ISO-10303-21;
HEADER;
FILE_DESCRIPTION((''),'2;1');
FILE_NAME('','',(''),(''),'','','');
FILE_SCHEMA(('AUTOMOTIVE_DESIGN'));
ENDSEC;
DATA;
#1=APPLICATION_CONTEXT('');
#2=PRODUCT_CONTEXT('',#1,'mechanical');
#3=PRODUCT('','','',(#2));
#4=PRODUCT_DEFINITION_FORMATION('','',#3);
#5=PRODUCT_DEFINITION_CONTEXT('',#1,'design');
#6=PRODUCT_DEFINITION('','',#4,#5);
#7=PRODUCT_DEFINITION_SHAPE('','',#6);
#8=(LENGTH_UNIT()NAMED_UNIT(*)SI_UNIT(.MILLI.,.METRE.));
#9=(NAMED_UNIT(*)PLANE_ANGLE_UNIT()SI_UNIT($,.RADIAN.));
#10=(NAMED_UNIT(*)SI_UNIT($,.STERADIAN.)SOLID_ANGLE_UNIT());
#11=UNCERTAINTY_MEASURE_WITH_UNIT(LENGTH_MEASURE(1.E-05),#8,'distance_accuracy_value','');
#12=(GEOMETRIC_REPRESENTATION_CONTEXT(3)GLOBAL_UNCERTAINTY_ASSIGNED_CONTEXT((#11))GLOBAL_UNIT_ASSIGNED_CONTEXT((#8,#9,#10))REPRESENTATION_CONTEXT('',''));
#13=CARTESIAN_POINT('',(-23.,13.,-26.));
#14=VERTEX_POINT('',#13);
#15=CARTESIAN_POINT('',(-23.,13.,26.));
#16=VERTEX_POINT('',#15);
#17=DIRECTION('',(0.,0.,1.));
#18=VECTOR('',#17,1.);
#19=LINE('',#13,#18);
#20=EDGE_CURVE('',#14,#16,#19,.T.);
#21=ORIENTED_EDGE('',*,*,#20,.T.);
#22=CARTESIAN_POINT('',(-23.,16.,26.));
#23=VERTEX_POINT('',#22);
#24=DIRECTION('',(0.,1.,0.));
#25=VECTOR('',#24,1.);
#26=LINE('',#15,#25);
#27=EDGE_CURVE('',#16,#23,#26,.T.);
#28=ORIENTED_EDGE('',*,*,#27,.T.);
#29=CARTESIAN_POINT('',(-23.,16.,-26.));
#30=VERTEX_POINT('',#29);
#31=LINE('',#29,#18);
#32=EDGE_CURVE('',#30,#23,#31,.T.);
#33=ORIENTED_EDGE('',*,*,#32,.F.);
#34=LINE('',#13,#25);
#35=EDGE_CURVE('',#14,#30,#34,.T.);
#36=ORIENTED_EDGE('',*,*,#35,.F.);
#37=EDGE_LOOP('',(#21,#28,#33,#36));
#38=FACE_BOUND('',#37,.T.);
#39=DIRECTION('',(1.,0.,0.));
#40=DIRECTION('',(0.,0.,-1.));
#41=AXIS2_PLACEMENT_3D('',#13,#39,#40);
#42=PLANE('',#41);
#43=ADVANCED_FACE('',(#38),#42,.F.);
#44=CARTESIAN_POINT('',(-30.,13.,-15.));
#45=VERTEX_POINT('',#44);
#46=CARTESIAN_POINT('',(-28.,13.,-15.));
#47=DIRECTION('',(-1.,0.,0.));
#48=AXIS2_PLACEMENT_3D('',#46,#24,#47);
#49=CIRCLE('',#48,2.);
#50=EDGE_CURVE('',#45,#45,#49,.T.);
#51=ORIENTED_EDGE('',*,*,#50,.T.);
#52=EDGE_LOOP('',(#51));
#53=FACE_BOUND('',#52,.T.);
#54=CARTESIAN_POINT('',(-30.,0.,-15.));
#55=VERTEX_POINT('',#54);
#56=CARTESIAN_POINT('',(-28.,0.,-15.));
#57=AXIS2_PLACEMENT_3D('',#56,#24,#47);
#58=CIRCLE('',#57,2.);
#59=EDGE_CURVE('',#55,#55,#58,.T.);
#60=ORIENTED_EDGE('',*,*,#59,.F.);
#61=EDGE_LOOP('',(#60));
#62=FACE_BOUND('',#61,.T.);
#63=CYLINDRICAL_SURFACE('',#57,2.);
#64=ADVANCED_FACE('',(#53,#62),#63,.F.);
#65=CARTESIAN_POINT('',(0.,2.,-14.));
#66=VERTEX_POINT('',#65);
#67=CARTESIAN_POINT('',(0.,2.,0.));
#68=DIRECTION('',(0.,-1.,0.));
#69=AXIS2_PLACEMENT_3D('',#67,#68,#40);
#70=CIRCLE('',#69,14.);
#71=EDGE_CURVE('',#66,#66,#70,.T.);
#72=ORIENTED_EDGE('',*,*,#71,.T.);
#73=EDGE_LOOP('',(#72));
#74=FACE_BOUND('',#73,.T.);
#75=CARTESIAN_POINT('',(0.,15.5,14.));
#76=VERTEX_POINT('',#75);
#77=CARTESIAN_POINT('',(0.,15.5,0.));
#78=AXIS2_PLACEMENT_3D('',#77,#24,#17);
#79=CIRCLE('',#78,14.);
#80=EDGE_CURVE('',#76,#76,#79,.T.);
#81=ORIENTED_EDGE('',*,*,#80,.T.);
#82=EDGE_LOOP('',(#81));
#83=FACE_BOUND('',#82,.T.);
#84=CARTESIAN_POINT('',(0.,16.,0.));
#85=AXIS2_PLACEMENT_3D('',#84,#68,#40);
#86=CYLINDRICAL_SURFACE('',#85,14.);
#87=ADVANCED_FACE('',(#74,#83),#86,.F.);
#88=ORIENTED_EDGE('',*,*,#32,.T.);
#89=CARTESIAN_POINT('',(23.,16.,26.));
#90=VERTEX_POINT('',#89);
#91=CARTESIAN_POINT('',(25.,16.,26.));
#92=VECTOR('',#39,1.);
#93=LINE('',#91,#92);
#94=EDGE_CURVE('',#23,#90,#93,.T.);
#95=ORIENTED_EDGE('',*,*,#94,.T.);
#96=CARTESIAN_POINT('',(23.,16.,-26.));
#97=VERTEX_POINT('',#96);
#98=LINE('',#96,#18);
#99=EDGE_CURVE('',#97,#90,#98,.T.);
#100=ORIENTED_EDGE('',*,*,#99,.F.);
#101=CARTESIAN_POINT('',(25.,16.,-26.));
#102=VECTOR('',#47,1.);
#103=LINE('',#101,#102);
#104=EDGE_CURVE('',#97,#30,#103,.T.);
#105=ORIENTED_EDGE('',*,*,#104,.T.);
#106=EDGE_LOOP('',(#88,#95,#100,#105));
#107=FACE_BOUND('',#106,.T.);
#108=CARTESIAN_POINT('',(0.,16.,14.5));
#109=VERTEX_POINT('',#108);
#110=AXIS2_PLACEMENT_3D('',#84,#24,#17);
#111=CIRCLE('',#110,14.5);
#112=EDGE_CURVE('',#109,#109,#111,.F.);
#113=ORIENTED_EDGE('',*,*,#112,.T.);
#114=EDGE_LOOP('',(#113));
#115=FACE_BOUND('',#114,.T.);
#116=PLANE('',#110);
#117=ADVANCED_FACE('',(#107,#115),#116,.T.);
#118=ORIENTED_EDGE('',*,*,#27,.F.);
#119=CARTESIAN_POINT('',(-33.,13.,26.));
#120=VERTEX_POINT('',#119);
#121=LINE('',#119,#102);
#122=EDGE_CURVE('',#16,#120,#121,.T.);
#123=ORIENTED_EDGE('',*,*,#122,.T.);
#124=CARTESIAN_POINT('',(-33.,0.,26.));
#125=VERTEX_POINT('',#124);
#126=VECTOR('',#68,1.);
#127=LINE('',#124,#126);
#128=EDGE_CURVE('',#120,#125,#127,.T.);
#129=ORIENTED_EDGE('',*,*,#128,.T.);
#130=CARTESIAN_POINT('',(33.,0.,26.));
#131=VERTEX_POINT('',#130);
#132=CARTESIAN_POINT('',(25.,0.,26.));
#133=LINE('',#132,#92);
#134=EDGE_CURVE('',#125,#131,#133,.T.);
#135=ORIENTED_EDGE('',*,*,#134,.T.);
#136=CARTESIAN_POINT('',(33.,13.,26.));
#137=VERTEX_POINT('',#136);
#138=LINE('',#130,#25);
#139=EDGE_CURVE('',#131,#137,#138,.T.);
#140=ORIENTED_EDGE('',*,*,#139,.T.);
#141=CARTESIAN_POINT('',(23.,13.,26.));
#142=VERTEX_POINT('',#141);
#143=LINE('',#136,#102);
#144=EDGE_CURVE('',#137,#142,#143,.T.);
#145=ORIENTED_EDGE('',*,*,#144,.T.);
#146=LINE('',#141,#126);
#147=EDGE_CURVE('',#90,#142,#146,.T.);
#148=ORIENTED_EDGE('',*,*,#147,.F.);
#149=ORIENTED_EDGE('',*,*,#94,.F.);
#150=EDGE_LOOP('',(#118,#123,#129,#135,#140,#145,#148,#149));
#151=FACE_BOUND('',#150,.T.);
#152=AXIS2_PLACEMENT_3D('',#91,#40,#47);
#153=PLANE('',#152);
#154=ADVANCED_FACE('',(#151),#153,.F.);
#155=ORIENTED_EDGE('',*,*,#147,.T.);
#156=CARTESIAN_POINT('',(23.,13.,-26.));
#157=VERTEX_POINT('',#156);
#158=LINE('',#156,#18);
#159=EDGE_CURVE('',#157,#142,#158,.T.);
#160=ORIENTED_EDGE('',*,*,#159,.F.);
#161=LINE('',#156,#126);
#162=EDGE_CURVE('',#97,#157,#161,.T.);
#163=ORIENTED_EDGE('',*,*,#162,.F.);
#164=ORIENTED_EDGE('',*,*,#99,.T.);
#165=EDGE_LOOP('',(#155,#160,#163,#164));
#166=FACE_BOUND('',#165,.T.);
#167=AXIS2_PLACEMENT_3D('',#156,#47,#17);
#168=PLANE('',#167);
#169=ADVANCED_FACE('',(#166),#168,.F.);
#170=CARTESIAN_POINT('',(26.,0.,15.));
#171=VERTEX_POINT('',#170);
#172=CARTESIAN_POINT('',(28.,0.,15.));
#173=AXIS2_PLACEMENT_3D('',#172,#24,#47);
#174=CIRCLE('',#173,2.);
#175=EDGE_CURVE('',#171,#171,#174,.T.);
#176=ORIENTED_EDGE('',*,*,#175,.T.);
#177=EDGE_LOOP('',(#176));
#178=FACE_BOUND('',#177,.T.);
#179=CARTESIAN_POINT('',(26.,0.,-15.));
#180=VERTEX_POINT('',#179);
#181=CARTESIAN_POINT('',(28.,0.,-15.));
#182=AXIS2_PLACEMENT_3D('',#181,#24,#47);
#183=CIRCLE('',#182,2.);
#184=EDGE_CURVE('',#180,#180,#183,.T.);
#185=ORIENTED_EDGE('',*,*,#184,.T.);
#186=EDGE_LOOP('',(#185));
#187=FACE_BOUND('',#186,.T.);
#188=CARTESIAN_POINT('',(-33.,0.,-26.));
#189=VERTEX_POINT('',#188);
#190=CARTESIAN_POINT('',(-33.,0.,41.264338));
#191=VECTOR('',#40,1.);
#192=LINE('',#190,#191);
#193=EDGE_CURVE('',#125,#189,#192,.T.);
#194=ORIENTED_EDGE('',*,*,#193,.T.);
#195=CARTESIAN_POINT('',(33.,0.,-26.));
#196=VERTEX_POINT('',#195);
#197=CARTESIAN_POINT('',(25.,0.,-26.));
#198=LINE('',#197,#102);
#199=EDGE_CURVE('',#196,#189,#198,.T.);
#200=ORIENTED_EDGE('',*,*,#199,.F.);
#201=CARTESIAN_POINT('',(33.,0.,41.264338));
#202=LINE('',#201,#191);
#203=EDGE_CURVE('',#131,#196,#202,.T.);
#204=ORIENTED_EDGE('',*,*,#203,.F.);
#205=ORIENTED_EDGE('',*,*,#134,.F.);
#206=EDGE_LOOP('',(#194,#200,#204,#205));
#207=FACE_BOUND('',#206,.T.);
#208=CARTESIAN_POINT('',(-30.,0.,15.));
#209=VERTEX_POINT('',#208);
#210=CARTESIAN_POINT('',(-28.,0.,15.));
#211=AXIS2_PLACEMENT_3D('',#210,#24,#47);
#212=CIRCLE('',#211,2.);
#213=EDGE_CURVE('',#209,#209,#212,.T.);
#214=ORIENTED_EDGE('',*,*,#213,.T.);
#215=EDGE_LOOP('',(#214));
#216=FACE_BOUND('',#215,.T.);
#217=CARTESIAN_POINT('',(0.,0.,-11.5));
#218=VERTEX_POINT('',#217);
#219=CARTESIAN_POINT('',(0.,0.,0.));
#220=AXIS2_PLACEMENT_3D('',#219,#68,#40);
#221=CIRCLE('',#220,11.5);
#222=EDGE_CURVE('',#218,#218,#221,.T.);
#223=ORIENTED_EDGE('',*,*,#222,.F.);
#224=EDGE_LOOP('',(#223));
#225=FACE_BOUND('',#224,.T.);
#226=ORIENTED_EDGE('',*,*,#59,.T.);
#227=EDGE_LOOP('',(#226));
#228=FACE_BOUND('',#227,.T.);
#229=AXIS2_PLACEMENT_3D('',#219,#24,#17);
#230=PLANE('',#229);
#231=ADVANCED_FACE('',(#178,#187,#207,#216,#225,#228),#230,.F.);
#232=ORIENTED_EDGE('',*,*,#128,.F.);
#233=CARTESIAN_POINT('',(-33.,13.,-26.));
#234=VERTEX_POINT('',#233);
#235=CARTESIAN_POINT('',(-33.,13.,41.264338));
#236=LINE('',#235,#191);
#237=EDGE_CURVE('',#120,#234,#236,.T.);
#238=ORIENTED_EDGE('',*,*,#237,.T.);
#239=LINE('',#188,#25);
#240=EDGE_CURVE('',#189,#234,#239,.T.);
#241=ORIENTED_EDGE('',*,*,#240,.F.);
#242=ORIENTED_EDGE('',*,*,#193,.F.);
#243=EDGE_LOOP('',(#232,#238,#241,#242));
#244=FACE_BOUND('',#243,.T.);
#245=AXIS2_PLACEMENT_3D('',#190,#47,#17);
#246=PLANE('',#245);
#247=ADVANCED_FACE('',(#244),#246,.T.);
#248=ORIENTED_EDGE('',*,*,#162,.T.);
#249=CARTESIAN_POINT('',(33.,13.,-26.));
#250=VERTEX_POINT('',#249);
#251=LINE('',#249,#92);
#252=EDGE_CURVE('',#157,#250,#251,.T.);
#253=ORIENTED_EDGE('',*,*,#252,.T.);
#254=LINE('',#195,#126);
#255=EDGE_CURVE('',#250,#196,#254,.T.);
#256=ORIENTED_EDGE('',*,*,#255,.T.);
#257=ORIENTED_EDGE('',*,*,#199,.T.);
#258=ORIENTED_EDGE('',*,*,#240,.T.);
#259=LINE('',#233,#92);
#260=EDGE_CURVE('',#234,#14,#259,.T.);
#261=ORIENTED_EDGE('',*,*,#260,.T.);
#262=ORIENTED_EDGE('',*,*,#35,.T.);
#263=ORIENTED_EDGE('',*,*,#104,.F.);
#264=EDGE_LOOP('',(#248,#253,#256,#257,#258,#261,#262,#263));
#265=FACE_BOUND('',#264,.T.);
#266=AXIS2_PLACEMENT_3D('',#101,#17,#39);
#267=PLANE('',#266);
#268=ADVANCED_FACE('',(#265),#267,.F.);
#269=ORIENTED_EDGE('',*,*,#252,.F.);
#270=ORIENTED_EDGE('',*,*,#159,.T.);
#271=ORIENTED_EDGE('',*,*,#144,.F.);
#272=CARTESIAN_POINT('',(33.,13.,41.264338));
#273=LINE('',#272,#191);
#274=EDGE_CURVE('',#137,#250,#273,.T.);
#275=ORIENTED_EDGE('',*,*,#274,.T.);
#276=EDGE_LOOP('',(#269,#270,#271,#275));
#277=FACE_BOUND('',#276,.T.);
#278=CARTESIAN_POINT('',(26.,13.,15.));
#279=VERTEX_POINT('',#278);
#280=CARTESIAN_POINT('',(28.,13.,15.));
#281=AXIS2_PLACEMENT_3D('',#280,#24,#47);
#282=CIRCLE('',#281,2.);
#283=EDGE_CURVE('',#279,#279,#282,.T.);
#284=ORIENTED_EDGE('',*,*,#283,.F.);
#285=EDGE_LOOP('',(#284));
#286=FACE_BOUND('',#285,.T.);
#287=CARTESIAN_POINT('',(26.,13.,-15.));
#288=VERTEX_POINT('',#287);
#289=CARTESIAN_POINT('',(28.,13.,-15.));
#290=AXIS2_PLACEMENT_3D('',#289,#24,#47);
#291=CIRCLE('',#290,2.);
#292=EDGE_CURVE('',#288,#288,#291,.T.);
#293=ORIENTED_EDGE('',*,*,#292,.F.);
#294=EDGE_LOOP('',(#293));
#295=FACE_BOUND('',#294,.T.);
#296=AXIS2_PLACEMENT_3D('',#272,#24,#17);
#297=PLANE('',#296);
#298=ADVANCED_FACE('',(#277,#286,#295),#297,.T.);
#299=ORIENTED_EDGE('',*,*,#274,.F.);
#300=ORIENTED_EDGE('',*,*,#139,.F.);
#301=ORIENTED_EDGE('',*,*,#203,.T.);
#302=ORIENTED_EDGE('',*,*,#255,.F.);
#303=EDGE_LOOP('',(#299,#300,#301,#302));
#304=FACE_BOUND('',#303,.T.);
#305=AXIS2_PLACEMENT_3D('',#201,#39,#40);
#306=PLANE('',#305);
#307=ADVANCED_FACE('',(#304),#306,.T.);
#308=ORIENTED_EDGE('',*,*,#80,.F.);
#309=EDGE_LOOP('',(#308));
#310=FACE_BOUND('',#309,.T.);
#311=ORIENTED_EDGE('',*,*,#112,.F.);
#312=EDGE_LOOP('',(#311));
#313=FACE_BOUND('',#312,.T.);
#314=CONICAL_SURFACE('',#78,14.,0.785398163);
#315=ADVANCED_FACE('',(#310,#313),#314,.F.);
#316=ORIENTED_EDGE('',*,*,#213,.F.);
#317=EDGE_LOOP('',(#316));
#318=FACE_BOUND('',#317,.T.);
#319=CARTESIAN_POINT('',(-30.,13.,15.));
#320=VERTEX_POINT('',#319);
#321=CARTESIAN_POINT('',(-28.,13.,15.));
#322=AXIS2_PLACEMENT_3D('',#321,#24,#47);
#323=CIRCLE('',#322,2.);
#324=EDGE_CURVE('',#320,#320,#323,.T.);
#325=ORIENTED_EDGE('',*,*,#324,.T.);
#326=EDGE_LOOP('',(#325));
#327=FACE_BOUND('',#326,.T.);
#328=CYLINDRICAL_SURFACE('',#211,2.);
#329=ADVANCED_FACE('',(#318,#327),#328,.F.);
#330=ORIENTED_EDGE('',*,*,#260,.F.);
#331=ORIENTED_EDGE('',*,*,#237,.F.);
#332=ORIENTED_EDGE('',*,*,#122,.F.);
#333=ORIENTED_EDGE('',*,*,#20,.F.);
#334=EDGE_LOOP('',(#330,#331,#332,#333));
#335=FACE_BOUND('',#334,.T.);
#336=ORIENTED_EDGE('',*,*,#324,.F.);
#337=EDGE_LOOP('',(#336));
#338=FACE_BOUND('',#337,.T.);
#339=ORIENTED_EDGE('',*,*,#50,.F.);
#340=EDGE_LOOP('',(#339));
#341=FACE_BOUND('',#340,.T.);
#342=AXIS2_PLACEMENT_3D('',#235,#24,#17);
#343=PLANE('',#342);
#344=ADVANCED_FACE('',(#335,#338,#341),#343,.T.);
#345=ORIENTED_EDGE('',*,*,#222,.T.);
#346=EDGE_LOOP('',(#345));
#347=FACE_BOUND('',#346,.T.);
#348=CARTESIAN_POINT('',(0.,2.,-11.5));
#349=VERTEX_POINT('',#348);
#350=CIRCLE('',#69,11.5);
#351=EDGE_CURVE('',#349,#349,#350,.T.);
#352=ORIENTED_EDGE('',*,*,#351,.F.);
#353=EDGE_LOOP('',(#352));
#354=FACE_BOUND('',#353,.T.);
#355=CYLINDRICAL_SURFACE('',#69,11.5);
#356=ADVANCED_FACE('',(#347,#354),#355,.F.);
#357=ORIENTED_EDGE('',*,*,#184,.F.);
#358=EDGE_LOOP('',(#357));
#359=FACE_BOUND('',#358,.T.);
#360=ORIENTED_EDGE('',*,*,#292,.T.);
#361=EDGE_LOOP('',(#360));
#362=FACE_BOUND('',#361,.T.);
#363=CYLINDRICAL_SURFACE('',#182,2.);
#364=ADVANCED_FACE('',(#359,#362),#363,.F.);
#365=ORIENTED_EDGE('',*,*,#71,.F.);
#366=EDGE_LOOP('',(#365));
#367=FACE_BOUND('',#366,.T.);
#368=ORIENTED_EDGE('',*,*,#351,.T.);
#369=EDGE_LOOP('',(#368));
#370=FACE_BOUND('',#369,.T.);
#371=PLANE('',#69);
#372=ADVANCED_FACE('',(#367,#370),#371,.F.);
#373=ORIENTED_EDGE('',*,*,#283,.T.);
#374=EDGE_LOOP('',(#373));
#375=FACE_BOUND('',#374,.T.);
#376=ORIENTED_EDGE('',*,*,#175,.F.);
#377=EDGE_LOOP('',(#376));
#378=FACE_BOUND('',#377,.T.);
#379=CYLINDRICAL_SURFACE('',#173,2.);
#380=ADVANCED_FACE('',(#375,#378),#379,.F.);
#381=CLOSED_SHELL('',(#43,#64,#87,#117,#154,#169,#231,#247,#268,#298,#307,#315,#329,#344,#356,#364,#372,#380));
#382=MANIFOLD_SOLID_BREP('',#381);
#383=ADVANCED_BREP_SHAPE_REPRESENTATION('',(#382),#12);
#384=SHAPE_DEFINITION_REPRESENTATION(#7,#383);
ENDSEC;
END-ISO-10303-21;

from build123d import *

# Parameters (mm, degrees)
SKETCH_1_W          = 50
SKETCH_1_H          = 52
SKETCH_1_R          = 14
EXTRUDE_1_DEPTH     = 16
SKETCH_2_R          = 14
SKETCH_2_R_2        = 11.5
EXTRUDE_2_DEPTH     = 2
SKETCH_3_W          = 8
SKETCH_3_H          = 13
EXTRUDE_3_DEPTH     = 52
SKETCH_4_R          = 2
CUT_EXTRUDE_1_DEPTH = 44.977266855
CHAMFER_1_SIZE      = 0.5
SKETCH_5_W          = 2
SKETCH_5_H          = 3
CUT_EXTRUDE_2_DEPTH = 64.63175308


with BuildPart() as part:
    # 草图1 → 凸台-拉伸1 (new body)
    with BuildSketch(Plane(origin=(0, 0, 0), x_dir=(1, 0, 0), z_dir=(0, 1, 0))):
        Rectangle(SKETCH_1_W, SKETCH_1_H)
        with Locations(Location((0, 0, 0), (0, 0, 270))):
            Circle(SKETCH_1_R, mode=Mode.SUBTRACT)
    extrude(amount=EXTRUDE_1_DEPTH)

    # 草图2 → 凸台-拉伸2 (add)
    with BuildSketch(Plane.XZ):
        with Locations(Location((0, 0, 0), (0, 0, 270))):
            Circle(SKETCH_2_R)
        with Locations(Location((0, 0, 0), (0, 0, 270))):
            Circle(SKETCH_2_R_2, mode=Mode.SUBTRACT)
    extrude(amount=-EXTRUDE_2_DEPTH)

    # 草图3 → 凸台-拉伸3 (add)
    with BuildSketch(Plane(origin=(0, 0, -26), x_dir=(-1, 0, 0), z_dir=(0, 0, -1))):
        with Locations((-29, 6.5)):
            Rectangle(SKETCH_3_W, SKETCH_3_H)
        with Locations((29, 6.5)):
            Rectangle(SKETCH_3_W, SKETCH_3_H)
    extrude(amount=-EXTRUDE_3_DEPTH)

    # 草图4 → 切除-拉伸1 (cut, through all)
    with BuildSketch(Plane(origin=(0, 13, 0), x_dir=(1, 0, 0), z_dir=(0, 1, 0))):
        with Locations(Location((-28, 15, 0), (0, 0, 180))):
            Circle(SKETCH_4_R)
        with Locations(Location((-28, -15, 0), (0, 0, 180))):
            Circle(SKETCH_4_R)
        with Locations(Location((28, 15, 0), (0, 0, 180))):
            Circle(SKETCH_4_R)
        with Locations(Location((28, -15, 0), (0, 0, 180))):
            Circle(SKETCH_4_R)
    extrude(amount=-CUT_EXTRUDE_1_DEPTH, mode=Mode.SUBTRACT)

    # 倒角1
    chamfer_1_edges = [part.edges().sort_by_distance(p)[0] for p in [
        (0, 16, -14),
    ]]
    chamfer(chamfer_1_edges, length=CHAMFER_1_SIZE)

    # 草图5 → 切除-拉伸2 (cut, through all)
    with BuildSketch(Plane.XY.offset(26)):
        with Locations((-24, 14.5)):
            Rectangle(SKETCH_5_W, SKETCH_5_H)
        with Locations((24, 14.5)):
            Rectangle(SKETCH_5_W, SKETCH_5_H)
    extrude(amount=-CUT_EXTRUDE_2_DEPTH, mode=Mode.SUBTRACT)


solid = part.part
